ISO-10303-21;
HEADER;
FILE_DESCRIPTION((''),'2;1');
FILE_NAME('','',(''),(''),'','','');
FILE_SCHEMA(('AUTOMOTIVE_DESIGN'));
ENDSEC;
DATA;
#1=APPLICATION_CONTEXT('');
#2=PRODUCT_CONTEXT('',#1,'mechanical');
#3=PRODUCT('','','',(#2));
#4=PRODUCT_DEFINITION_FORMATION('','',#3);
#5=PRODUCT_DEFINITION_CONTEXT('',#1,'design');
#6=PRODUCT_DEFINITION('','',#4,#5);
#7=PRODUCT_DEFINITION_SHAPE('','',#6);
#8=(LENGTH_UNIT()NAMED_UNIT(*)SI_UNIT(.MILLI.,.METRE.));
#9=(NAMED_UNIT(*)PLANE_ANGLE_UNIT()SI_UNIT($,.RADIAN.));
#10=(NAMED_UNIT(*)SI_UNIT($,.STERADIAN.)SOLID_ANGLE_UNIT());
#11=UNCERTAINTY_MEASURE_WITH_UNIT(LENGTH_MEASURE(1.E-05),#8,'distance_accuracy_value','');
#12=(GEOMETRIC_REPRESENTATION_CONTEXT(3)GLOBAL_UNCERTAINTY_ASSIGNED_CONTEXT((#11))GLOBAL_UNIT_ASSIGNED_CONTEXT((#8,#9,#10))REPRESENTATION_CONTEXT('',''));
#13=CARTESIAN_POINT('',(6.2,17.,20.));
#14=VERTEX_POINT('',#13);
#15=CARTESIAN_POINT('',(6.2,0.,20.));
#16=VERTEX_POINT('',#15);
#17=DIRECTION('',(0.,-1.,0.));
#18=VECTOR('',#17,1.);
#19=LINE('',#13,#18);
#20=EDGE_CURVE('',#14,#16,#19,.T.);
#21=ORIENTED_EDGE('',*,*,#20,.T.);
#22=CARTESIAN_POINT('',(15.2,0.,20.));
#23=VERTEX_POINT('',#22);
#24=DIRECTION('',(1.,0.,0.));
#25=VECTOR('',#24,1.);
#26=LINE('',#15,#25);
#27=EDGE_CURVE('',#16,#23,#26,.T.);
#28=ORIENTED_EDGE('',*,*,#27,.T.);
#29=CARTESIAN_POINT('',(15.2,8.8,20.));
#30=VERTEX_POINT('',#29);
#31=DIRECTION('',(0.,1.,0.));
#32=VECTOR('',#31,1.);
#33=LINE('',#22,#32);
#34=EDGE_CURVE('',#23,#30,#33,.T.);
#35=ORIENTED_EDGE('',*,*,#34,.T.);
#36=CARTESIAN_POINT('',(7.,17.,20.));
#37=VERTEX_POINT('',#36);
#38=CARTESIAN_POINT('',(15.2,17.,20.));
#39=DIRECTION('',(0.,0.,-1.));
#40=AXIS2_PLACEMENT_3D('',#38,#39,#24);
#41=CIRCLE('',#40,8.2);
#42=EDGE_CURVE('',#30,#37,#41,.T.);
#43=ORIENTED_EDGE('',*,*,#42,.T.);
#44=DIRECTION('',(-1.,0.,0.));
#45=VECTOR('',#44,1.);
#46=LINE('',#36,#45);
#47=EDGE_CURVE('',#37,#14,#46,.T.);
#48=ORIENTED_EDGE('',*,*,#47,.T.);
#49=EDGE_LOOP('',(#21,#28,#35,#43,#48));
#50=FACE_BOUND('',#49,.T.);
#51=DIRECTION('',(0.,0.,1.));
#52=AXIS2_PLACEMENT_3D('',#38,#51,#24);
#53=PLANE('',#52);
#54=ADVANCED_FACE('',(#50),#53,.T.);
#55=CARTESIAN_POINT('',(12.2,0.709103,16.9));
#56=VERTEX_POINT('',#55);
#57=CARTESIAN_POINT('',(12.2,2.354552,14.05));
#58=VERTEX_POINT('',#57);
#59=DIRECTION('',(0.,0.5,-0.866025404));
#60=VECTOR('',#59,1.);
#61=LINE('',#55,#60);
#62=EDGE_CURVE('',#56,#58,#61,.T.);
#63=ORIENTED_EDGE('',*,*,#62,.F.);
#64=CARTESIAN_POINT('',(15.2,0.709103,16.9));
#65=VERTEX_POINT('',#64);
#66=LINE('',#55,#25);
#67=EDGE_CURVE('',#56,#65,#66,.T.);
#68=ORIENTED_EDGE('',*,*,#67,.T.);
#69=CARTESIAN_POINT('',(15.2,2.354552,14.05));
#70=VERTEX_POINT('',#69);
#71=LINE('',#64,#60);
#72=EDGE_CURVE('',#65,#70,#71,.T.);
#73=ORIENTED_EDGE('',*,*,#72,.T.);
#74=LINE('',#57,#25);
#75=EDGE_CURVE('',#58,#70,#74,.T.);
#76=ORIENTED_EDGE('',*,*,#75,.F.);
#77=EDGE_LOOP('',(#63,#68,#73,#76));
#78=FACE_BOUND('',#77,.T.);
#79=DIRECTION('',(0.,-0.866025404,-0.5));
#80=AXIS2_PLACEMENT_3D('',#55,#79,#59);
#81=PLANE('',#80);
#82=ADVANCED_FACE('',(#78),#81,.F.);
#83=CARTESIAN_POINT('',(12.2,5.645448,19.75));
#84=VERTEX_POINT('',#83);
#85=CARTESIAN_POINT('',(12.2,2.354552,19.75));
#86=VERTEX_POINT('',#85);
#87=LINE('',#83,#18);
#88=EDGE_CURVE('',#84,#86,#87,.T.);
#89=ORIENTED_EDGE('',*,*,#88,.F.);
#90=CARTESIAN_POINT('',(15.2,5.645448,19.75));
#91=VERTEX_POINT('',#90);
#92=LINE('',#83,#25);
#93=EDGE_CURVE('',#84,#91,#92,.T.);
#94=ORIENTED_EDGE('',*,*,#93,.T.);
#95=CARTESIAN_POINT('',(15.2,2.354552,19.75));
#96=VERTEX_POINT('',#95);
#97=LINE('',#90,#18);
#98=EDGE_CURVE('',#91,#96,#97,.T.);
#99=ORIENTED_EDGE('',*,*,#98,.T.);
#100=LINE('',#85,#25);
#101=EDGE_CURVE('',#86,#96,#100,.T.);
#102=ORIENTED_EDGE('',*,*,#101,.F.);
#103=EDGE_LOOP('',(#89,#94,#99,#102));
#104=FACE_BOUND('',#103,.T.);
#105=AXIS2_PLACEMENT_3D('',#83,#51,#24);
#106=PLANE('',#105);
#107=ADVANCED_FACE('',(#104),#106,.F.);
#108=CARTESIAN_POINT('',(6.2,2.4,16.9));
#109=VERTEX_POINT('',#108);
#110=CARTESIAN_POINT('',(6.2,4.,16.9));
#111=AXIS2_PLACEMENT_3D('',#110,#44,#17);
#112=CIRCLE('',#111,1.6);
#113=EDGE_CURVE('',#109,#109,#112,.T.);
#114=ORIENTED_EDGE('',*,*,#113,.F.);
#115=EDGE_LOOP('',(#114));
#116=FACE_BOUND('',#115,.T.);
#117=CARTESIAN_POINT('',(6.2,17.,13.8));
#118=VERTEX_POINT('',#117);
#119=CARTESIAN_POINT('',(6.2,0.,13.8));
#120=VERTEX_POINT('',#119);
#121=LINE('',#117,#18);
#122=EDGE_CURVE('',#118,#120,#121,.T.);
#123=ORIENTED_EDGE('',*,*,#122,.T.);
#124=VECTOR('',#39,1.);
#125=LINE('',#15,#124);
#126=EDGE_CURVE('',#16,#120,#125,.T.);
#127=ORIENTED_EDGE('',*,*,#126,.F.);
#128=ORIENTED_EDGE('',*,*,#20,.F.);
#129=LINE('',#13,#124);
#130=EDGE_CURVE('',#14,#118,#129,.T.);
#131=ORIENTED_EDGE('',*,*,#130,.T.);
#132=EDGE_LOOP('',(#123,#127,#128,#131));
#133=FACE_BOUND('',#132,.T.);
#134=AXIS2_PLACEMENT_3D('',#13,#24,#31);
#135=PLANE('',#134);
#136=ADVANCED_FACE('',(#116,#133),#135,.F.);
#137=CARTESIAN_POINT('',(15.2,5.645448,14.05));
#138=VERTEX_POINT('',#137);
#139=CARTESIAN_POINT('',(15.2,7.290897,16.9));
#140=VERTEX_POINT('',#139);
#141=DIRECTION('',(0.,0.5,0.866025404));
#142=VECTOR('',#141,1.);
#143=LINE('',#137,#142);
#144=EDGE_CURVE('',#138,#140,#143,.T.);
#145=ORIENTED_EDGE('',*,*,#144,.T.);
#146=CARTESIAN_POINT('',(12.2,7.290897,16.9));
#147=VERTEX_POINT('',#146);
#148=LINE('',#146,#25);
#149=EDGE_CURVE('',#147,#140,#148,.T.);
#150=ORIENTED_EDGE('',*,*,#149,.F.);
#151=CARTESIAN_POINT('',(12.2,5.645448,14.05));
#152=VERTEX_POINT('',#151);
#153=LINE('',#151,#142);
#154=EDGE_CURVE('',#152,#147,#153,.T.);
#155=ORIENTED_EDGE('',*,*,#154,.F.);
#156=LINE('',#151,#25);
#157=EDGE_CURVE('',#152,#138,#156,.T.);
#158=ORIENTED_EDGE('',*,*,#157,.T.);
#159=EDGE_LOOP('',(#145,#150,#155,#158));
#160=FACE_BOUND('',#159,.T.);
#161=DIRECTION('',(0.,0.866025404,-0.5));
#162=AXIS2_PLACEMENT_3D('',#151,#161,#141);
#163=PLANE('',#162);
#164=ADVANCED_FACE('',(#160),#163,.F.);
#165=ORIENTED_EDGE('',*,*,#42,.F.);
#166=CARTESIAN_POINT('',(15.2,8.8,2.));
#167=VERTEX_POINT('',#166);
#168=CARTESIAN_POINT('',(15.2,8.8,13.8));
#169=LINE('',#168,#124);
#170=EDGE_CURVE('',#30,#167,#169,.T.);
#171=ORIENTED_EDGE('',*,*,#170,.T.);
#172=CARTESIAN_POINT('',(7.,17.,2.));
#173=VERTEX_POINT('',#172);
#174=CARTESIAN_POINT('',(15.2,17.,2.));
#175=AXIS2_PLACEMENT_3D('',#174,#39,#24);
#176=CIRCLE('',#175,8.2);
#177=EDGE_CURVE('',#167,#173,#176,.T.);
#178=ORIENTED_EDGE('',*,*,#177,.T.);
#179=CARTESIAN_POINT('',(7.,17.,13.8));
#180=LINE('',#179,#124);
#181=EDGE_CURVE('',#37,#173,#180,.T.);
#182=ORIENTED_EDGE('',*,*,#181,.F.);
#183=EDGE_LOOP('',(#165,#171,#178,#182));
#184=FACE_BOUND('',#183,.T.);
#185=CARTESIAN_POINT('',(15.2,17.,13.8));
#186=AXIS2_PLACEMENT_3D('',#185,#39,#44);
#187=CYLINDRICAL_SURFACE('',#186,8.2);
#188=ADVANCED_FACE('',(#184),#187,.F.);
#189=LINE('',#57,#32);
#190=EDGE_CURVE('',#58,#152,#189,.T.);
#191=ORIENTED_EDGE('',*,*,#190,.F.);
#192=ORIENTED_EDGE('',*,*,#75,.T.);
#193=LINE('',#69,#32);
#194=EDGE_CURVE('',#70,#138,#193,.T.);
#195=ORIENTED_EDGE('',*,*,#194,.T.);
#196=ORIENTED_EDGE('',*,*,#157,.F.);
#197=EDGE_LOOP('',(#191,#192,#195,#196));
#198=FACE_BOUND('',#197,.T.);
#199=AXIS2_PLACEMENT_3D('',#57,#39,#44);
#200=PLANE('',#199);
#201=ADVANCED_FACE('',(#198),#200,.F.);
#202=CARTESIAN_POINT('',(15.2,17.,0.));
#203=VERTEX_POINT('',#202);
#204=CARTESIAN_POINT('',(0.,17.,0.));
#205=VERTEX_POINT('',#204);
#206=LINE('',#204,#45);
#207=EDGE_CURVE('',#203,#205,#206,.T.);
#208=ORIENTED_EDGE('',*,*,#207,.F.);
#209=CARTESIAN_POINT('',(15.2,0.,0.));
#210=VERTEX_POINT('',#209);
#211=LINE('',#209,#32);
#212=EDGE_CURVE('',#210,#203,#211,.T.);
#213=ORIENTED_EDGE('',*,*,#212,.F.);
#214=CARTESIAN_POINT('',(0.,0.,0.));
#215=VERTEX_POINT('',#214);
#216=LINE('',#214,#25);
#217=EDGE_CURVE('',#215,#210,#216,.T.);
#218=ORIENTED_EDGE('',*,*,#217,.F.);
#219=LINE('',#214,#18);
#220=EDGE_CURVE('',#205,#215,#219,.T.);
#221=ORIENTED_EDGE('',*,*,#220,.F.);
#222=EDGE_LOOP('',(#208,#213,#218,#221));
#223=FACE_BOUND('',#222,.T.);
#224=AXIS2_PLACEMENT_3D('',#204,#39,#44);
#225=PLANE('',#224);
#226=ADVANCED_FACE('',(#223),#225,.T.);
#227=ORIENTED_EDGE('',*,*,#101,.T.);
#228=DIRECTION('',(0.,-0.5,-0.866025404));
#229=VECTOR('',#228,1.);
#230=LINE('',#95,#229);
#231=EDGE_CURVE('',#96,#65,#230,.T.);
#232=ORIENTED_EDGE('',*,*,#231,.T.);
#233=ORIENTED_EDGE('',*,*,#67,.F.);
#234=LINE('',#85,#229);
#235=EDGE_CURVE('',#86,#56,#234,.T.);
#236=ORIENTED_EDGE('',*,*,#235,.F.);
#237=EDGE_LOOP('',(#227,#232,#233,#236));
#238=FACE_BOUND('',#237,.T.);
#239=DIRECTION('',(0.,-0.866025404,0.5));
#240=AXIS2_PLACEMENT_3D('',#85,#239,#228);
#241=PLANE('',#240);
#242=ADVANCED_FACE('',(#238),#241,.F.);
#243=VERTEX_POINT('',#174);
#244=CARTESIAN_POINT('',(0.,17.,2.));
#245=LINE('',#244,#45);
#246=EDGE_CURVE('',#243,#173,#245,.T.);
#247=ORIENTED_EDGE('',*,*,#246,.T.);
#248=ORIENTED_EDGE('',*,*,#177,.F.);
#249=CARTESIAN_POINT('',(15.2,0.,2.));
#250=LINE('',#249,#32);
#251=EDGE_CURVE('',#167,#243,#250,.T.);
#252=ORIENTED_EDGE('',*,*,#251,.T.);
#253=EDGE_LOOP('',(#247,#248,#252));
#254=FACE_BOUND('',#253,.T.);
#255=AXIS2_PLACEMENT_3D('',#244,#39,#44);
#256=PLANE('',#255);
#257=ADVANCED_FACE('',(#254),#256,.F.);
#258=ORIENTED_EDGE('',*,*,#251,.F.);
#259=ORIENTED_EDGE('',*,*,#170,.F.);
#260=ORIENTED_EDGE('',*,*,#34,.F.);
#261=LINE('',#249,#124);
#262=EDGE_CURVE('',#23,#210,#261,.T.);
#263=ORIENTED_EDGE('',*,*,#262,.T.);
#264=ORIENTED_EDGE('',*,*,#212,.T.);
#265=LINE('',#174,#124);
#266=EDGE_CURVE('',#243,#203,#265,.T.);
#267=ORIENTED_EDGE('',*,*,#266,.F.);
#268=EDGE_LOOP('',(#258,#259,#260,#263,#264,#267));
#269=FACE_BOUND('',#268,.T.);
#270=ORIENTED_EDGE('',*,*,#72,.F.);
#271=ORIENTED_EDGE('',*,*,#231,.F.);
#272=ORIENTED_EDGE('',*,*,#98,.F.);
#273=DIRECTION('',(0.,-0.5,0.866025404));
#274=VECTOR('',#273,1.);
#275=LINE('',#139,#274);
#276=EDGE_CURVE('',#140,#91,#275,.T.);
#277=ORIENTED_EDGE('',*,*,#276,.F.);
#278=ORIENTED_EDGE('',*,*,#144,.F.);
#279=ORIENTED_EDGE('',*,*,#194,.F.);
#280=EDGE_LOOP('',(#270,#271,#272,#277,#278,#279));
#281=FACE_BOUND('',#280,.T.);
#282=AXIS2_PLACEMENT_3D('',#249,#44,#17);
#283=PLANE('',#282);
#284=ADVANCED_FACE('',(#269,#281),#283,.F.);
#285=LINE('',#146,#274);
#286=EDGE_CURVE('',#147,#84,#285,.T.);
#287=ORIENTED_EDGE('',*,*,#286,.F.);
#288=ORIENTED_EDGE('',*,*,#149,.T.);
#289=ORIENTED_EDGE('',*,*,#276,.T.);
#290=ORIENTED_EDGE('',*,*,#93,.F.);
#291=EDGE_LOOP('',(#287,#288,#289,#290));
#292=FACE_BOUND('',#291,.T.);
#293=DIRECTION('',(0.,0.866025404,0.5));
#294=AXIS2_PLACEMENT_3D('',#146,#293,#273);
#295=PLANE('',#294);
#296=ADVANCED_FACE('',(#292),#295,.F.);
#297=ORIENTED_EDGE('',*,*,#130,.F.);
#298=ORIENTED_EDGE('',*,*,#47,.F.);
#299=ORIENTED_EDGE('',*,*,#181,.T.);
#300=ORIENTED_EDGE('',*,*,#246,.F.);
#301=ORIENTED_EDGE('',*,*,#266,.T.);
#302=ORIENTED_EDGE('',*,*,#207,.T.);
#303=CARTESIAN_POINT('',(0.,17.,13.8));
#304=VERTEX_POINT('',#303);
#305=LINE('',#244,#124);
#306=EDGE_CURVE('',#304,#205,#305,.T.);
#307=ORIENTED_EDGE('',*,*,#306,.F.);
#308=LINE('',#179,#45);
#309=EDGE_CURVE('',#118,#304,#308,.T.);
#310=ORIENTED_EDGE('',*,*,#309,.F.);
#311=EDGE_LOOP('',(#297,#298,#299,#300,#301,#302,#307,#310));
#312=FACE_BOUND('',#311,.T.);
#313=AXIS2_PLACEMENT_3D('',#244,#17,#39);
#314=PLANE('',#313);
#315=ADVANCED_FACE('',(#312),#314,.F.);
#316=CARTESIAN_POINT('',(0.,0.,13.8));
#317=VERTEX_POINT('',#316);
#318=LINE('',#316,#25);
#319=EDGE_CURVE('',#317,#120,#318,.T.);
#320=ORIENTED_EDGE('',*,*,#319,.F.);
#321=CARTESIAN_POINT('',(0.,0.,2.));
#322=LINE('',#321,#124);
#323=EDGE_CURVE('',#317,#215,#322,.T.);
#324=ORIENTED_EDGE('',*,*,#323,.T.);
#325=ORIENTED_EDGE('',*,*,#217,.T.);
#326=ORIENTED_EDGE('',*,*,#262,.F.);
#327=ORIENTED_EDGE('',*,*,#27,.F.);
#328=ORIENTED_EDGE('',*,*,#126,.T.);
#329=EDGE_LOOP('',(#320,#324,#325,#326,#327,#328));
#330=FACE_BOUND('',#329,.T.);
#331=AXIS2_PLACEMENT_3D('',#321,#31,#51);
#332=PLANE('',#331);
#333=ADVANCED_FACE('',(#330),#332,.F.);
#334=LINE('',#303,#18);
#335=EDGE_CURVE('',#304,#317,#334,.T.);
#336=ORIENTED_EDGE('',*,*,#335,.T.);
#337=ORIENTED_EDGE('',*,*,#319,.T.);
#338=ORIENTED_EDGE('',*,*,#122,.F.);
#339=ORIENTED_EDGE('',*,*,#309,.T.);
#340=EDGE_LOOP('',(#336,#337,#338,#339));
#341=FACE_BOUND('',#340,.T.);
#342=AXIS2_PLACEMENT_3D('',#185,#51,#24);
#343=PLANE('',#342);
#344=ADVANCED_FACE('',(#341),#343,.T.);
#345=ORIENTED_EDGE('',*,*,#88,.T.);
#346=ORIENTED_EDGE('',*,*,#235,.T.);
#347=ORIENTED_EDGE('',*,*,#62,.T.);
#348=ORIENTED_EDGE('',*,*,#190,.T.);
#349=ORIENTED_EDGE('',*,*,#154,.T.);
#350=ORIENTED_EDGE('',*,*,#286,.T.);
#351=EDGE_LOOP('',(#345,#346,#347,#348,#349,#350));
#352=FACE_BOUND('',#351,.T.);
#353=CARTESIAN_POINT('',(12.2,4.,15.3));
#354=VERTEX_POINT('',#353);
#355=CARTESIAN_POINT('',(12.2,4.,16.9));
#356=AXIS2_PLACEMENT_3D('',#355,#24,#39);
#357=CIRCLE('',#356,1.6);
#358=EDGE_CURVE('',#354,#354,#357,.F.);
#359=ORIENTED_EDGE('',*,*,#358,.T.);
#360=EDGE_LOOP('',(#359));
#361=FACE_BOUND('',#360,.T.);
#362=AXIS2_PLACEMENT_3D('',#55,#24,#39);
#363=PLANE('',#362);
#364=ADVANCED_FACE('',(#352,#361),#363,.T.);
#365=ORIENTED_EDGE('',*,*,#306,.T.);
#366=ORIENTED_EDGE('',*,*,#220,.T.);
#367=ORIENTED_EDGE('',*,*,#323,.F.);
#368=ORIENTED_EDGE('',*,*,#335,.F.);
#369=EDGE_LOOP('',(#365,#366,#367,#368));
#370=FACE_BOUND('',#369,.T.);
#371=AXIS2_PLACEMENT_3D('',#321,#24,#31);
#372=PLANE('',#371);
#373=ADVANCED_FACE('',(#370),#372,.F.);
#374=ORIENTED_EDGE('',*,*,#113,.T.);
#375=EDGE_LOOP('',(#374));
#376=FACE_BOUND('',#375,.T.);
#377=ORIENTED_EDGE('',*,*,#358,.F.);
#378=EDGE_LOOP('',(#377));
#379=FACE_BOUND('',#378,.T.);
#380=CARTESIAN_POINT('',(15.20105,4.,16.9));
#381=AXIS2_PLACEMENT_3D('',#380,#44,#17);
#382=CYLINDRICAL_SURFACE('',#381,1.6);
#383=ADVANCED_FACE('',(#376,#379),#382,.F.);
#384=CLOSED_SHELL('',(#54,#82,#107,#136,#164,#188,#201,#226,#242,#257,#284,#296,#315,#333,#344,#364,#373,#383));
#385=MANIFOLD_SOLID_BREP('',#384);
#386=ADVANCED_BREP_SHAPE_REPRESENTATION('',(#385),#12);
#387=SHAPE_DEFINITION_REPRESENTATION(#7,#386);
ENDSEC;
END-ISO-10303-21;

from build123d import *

# Parameters (mm, degrees)
CROQUIS1_W              = 15.2
CROQUIS1_H              = 17
SALIENTE_EXTRUIR1_DEPTH = 2
SALIENTE_EXTRUIR2_DEPTH = 11.8
SALIENTE_EXTRUIR3_DEPTH = 6.2
CORTAR_EXTRUIR1_REACH   = 11
CROQUIS4_R              = 1.6
CORTAR_EXTRUIR2_DEPTH   = 3


with BuildPart() as part:
    # Croquis1 → Saliente-Extruir1 (new body)
    with BuildSketch(Plane.XY):
        with Locations((7.6, 8.5)):
            Rectangle(CROQUIS1_W, CROQUIS1_H)
    extrude(amount=SALIENTE_EXTRUIR1_DEPTH)

    # Croquis2 → Saliente-Extruir2 (add)
    with BuildSketch(Plane.XY.offset(2)):
        with BuildLine():
            Line((0, 17), (0, 0))
            Line((0, 0), (15.2, 0))
            Line((15.2, 0), (15.2, 8.8))
            ThreePointArc((15.2, 8.8), (9.401724394, 11.201724394), (7, 17))
            Line((7, 17), (0, 17))
        make_face()
    extrude(amount=SALIENTE_EXTRUIR2_DEPTH)

    # Croquis3 → Saliente-Extruir3 (add)
    with BuildSketch(Plane.XY.offset(13.8)):
        with BuildLine():
            Line((6.2, 17), (6.2, 0))
            Line((6.2, 0), (15.2, 0))
            Line((15.2, 0), (15.2, 8.8))
            ThreePointArc((15.2, 8.8), (9.401724394, 11.201724394), (7, 17))
            Line((7, 17), (6.2, 17))
        make_face()
    extrude(amount=SALIENTE_EXTRUIR3_DEPTH)

    # Croquis4 → Cortar-Extruir1 (cut, up to next)
    with BuildSketch(Plane.ZY.offset(-6.2), mode=Mode.PRIVATE) as cortar_extruir1_sk1:
        with Locations((16.9, 4)):
            Circle(CROQUIS4_R)
    cortar_extruir1_tool1 = extrude(cortar_extruir1_sk1.sketch, amount=-CORTAR_EXTRUIR1_REACH, mode=Mode.PRIVATE) & part.part
    add(cortar_extruir1_tool1.solids().sort_by_distance((6.2, 4, 16.9))[0], mode=Mode.SUBTRACT)

    # Croquis5 → Cortar-Extruir2 (cut)
    with BuildSketch(Plane(origin=(15.2, 0, 0), x_dir=(0, 0, -1), z_dir=(1, 0, 0))):
        Polygon((-16.9, 0.709103466), (-14.05, 2.354551733), (-14.05, 5.645448267), (-16.9, 7.290896534), (-19.75, 5.645448267), (-19.75, 2.354551733), align=None)
    extrude(amount=-CORTAR_EXTRUIR2_DEPTH, mode=Mode.SUBTRACT)


solid = part.part
